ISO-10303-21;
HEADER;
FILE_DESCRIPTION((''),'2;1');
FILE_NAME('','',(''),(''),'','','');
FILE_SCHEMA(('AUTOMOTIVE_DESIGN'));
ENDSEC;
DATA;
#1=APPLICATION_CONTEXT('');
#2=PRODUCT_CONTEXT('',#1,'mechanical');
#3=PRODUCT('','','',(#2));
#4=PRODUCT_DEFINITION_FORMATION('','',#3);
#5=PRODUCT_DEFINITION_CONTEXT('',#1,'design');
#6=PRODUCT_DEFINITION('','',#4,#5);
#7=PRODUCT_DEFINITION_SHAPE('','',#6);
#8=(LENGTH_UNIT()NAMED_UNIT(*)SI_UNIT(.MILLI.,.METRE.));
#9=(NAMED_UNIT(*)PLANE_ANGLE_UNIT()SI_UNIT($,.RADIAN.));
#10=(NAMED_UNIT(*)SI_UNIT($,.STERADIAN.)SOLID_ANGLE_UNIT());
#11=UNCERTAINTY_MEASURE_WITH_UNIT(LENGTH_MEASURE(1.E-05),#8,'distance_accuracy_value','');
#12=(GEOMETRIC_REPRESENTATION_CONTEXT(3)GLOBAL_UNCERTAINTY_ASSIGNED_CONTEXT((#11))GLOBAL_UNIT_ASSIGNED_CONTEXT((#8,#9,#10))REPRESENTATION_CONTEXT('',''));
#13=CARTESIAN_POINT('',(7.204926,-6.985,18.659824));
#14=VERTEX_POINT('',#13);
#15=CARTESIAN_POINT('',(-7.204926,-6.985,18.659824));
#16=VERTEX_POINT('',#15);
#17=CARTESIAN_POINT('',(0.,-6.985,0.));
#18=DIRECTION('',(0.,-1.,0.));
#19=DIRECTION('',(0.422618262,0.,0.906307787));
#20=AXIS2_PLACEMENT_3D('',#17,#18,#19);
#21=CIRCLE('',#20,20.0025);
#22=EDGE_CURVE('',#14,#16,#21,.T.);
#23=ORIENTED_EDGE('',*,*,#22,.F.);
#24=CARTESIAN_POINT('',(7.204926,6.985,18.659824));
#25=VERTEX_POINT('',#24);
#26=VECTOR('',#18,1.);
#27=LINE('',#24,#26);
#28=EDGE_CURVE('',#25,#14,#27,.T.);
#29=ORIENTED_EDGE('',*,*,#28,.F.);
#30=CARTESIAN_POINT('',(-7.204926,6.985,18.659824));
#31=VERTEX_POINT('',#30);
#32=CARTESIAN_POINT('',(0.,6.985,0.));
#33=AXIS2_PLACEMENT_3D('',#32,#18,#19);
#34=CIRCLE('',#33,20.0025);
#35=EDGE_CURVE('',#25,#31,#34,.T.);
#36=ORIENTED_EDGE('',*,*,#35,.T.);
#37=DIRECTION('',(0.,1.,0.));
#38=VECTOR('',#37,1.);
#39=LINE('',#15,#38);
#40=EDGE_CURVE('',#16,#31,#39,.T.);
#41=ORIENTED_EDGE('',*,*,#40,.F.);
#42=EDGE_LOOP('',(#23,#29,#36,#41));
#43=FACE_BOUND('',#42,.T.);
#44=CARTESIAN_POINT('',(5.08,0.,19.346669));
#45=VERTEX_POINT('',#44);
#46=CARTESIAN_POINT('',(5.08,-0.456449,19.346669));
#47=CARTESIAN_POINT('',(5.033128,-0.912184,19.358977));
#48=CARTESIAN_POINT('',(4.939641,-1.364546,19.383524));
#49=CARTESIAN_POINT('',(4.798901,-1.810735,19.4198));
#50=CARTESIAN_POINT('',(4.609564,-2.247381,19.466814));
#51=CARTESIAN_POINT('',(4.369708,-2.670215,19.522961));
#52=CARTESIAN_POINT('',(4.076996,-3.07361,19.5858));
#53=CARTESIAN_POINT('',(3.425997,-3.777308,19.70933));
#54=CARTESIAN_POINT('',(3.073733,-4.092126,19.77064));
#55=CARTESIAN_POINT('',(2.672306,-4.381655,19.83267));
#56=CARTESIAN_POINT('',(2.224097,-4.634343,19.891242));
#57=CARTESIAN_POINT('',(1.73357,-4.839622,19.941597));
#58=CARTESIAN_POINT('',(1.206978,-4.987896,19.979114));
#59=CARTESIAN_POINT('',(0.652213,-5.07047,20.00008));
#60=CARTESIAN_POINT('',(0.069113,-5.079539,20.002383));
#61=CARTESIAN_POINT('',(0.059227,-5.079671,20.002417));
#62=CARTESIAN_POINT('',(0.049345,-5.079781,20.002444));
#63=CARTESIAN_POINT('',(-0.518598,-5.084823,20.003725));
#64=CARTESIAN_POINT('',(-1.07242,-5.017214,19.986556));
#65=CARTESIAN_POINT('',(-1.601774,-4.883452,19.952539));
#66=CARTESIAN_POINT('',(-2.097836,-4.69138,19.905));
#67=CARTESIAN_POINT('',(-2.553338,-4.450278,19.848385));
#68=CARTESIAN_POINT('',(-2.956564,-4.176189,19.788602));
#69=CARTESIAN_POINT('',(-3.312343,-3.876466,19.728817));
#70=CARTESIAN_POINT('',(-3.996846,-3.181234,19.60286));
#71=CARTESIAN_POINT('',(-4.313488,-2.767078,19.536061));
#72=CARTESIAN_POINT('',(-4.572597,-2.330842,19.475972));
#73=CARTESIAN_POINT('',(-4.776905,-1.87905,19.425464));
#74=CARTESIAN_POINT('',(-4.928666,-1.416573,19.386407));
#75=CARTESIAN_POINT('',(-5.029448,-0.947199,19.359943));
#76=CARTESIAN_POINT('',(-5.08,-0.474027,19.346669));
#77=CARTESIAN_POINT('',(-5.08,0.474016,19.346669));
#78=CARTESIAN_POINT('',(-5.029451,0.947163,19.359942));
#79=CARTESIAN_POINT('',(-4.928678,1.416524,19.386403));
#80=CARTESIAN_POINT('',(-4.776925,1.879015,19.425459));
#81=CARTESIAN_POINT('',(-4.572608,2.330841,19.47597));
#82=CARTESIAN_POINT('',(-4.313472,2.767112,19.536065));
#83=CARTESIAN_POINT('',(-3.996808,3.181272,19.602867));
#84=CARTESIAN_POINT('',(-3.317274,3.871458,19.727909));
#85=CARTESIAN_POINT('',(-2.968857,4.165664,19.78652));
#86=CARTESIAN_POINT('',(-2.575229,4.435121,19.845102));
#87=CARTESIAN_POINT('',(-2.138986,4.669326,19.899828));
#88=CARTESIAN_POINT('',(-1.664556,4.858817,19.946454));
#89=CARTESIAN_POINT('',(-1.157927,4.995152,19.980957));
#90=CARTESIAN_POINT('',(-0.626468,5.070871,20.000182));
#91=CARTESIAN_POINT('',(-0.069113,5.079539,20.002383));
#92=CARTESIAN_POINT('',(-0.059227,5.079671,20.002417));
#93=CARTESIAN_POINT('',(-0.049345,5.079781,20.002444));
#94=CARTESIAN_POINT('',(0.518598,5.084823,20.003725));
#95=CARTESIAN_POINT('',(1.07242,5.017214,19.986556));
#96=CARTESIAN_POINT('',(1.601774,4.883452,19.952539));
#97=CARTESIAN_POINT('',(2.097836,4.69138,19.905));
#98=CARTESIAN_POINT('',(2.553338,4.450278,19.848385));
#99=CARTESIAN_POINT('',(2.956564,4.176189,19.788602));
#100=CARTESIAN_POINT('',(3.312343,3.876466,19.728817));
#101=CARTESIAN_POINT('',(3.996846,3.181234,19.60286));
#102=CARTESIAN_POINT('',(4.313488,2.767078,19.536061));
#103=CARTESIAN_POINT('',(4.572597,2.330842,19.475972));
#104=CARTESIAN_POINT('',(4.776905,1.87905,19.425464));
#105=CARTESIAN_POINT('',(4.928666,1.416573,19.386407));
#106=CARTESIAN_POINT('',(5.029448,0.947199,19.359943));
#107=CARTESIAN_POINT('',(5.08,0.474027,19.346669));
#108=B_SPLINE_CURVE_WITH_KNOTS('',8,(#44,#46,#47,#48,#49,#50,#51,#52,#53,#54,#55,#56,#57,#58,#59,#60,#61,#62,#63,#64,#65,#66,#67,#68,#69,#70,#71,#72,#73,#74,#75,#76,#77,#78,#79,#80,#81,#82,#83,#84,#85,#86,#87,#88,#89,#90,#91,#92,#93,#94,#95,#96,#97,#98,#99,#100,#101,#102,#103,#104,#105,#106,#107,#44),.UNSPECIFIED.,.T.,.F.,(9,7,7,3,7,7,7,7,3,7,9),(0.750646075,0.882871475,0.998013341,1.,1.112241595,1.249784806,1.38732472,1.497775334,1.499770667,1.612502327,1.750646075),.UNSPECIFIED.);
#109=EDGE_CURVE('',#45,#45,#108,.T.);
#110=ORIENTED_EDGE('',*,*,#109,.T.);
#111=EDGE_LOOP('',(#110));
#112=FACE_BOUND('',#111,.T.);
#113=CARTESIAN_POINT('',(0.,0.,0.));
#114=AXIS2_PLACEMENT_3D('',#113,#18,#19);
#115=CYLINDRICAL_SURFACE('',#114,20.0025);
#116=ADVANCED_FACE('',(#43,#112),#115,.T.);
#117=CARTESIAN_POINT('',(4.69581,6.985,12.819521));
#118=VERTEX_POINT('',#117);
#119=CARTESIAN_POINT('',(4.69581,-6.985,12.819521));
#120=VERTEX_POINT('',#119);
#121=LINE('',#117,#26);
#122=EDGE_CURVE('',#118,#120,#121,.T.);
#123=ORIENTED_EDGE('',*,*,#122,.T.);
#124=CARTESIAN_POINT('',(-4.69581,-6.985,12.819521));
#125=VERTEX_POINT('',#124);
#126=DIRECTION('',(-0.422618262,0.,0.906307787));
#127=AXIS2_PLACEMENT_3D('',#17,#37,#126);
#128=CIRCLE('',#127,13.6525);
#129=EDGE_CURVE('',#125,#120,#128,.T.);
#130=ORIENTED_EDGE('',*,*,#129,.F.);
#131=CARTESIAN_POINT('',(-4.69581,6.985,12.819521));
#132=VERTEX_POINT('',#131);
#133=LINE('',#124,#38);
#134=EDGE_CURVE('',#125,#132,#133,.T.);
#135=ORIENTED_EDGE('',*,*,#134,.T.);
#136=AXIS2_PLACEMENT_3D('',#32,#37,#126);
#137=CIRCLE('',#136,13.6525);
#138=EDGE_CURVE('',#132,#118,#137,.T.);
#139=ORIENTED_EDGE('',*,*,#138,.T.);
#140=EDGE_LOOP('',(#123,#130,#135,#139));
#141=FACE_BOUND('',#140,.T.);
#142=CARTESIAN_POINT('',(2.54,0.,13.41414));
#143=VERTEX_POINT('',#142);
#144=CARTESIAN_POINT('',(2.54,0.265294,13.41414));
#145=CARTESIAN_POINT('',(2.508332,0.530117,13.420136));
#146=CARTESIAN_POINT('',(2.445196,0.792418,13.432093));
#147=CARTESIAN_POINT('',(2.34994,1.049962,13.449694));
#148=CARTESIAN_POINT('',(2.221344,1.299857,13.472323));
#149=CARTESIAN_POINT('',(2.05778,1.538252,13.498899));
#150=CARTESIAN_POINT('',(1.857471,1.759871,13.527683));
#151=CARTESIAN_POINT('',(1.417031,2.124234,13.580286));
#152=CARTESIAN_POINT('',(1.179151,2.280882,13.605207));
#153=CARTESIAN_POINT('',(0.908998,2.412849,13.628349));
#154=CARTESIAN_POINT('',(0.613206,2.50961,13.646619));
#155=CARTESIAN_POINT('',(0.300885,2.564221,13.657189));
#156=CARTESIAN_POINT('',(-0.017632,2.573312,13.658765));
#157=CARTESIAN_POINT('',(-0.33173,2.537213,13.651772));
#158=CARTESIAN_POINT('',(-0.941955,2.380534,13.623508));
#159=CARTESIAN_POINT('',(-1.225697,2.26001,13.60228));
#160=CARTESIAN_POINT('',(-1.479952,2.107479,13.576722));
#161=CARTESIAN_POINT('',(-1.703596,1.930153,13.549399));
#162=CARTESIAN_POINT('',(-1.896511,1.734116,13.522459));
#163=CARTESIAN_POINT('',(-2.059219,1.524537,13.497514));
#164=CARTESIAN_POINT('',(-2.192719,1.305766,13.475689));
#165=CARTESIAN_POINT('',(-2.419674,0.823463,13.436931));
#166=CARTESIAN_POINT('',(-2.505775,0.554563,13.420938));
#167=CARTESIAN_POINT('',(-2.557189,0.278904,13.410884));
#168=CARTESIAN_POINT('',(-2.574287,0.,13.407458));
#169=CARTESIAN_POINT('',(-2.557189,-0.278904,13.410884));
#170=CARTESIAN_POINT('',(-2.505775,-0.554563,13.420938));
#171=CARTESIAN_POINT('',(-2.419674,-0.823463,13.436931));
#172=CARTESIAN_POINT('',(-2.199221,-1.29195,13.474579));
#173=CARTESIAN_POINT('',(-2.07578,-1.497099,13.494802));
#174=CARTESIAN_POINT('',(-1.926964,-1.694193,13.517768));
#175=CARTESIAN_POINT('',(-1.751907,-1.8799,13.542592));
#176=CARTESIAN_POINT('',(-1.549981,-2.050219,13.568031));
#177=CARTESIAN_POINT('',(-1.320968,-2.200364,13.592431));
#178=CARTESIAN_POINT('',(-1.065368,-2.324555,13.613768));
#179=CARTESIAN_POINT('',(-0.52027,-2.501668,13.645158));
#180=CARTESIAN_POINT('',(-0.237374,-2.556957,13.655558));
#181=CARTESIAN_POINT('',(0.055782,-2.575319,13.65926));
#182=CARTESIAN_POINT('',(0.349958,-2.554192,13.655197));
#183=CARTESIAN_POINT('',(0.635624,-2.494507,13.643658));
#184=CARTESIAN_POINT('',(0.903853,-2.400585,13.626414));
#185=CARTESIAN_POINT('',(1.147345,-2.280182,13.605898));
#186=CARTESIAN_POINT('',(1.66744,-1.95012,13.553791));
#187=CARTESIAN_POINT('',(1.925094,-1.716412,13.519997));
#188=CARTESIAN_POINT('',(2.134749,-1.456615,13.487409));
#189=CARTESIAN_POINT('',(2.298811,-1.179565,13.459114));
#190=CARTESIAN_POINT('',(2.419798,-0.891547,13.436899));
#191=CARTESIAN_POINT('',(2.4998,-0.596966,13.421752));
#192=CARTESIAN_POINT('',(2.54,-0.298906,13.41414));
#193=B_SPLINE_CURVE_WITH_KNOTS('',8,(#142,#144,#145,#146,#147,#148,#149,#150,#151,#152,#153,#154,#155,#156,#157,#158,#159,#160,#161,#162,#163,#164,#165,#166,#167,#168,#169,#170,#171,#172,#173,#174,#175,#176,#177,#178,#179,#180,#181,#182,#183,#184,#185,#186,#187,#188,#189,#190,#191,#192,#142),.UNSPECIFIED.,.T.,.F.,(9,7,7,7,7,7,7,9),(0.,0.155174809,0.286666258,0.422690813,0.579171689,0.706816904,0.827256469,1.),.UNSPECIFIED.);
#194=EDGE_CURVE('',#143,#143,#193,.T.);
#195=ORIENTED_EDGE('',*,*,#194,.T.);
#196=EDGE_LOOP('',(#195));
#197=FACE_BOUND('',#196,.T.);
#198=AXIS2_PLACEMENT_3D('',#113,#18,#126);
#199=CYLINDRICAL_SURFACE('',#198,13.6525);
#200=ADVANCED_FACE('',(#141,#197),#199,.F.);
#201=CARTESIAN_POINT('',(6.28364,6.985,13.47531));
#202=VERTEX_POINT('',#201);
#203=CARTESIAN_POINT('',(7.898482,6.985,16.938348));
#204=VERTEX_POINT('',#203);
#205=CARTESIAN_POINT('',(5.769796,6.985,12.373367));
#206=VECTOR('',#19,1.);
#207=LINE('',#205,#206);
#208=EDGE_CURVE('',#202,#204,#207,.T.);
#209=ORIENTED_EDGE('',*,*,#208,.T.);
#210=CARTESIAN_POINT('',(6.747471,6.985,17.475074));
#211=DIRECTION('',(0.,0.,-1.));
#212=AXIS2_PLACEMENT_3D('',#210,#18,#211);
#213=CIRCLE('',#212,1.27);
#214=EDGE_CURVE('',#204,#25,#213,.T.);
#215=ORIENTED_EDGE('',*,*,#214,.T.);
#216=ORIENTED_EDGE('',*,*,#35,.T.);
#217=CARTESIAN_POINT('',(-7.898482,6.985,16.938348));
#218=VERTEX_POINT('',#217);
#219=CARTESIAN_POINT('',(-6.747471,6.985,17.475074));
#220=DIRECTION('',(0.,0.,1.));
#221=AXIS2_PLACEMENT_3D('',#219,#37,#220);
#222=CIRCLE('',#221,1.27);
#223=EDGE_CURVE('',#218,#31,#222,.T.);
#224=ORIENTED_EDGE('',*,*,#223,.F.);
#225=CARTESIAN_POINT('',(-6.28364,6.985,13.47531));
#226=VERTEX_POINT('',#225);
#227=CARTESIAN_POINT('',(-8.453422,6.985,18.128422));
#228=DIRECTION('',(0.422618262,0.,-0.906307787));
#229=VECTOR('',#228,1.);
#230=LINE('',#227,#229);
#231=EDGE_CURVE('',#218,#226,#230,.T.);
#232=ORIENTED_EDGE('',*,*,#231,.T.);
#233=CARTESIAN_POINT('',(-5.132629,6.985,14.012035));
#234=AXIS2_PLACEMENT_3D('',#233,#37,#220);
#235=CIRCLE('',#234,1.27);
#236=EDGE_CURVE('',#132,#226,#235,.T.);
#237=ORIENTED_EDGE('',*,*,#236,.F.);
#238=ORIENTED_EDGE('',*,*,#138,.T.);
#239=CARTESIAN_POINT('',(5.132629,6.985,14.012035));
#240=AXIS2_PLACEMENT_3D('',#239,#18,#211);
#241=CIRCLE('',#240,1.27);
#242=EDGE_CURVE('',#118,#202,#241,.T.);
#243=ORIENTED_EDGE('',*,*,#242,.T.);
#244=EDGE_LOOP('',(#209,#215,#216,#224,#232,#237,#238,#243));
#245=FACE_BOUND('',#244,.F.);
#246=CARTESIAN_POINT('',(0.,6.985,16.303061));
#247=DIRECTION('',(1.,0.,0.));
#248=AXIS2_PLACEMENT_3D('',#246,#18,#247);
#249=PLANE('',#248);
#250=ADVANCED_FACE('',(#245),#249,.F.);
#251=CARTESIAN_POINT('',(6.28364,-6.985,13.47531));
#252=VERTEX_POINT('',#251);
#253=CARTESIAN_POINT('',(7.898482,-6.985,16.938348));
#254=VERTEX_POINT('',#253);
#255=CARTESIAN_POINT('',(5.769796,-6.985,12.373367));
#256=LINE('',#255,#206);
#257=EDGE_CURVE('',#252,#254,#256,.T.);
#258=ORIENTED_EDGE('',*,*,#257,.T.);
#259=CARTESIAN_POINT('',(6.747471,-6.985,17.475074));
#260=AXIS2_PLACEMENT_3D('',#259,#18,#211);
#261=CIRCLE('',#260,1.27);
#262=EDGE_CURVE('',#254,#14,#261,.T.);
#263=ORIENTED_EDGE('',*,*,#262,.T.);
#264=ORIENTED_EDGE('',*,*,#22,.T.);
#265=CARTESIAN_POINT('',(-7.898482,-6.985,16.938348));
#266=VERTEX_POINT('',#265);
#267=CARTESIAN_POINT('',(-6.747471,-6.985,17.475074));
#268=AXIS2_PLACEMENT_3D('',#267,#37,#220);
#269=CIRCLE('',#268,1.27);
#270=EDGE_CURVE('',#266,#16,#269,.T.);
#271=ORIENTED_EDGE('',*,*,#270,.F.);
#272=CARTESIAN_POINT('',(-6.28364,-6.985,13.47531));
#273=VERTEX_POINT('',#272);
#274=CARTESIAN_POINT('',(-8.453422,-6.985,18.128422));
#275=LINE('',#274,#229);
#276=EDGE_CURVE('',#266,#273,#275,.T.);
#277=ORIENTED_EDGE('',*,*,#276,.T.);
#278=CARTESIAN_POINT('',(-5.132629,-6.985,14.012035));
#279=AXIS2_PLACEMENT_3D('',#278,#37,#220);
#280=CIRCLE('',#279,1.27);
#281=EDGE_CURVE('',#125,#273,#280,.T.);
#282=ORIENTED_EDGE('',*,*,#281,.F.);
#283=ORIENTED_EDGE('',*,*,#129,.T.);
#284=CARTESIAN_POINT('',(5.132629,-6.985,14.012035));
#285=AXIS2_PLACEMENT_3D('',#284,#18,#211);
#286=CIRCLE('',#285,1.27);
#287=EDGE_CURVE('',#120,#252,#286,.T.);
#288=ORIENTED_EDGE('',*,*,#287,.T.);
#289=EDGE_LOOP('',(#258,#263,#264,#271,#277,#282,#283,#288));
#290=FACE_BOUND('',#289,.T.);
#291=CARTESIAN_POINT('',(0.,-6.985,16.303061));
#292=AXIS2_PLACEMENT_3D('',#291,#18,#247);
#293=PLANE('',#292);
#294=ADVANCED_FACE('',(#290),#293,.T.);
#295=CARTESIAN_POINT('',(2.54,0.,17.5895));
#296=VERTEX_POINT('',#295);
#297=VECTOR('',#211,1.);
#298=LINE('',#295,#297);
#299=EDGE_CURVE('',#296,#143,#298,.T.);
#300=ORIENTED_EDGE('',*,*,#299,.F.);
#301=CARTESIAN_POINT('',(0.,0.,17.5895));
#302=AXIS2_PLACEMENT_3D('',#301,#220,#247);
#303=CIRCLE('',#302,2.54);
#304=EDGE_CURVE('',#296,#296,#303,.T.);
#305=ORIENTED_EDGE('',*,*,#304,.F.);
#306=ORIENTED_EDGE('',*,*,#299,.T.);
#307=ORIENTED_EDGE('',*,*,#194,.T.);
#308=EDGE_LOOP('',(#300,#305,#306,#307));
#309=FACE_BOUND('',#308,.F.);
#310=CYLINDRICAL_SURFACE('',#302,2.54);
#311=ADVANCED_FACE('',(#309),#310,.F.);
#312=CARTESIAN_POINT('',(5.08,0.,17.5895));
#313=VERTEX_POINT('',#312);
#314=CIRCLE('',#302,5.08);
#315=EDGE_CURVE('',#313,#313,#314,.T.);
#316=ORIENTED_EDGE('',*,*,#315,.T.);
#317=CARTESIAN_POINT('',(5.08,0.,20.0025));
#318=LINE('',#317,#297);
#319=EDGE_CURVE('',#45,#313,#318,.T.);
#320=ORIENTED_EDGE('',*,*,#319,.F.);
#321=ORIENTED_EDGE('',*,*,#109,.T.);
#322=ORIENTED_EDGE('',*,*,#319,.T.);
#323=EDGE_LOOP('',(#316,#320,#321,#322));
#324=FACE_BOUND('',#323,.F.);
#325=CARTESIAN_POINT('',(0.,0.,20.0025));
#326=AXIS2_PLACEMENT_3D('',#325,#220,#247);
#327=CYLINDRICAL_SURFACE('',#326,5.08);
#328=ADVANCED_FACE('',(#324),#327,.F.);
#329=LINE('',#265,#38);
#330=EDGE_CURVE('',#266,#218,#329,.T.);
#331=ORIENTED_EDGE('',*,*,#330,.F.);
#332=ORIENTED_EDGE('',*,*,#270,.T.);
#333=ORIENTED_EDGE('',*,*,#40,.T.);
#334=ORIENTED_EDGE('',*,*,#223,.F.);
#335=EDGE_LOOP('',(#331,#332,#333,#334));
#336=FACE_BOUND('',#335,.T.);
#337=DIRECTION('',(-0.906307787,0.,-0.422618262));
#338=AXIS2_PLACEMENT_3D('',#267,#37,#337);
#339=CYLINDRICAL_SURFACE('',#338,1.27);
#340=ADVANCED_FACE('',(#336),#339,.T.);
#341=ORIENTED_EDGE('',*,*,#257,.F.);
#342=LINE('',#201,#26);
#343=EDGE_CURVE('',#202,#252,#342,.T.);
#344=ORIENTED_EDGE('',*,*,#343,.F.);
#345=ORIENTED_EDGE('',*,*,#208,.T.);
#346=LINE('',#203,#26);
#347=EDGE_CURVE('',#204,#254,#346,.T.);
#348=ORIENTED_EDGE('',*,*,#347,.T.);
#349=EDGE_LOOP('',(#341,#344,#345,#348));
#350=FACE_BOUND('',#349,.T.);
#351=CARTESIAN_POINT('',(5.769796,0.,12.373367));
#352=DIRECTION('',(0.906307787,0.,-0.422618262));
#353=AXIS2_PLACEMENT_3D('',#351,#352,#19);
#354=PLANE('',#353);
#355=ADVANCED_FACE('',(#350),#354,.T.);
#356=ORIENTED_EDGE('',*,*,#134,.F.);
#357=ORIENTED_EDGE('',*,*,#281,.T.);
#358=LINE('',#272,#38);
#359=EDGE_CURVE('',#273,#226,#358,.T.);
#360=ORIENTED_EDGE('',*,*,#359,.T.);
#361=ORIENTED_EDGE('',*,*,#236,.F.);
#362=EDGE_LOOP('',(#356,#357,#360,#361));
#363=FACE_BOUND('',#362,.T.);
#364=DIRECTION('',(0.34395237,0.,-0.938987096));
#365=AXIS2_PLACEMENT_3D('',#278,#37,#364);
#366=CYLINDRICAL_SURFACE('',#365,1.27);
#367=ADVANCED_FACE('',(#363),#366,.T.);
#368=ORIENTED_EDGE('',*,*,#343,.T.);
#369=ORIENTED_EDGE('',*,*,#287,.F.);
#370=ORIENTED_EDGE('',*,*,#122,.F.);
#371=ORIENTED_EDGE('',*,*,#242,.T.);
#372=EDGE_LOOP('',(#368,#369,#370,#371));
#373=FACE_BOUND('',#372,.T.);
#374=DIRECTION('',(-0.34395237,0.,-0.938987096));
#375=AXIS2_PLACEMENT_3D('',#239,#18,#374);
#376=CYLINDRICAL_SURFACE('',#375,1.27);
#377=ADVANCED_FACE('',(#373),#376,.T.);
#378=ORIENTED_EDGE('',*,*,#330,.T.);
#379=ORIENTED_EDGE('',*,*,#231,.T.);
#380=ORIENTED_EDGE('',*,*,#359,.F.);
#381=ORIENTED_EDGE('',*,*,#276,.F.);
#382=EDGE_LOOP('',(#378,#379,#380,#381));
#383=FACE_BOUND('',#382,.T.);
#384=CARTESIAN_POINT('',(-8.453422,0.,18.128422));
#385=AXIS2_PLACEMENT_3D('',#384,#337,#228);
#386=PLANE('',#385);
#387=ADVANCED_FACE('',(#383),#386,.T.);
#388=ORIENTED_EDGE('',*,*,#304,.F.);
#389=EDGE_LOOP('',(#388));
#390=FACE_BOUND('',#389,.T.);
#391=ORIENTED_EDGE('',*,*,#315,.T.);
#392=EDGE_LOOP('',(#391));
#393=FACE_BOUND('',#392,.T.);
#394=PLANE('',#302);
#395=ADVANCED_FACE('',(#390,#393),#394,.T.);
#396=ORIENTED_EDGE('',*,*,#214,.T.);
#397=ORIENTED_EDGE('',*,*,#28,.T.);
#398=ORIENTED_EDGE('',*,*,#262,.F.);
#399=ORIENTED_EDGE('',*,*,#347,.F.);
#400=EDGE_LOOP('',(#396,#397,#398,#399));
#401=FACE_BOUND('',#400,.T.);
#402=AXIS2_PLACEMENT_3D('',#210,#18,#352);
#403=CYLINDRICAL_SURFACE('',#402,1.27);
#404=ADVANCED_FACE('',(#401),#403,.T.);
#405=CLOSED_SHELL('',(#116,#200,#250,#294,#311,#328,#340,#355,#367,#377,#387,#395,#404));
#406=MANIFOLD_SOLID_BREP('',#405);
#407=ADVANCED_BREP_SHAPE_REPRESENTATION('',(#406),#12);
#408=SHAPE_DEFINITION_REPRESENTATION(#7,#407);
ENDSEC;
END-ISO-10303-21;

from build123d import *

# Parameters (mm, degrees)
F1_DEPTH = 6.985
F4_R     = 5.08
F5_DEPTH = 2.413
F6_R     = 2.54
F7_DEPTH = 5.2171329375
F8_R     = 1.27


with BuildPart() as f1:
    # F0 (on Front) → F1 (new body, symmetric)
    with BuildSketch(Plane.XZ):
        with BuildLine():
            ThreePointArc((-5.7697958184, 12.3733670625), (0, 13.6525), (5.7697958184, 12.3733670625))
            Line((5.7697958184, 12.3733670625), (8.4534217805, 18.1284215102))
            ThreePointArc((8.4534217805, 18.1284215102), (0, 20.0025), (-8.4534217805, 18.1284215102))
            Line((-8.4534217805, 18.1284215102), (-5.7697958184, 12.3733670625))
        make_face()
    extrude(amount=F1_DEPTH, both=True)

    # F4 (on plane+point) → F5 (cut)
    with BuildSketch(Plane.XY.offset(20.0025)):
        Circle(F4_R)
    extrude(amount=-F5_DEPTH, mode=Mode.SUBTRACT)

    # F6 (on face) → F7 (cut, through all)
    with BuildSketch(Plane.XY.offset(17.5895)):
        Circle(F6_R)
    extrude(amount=-F7_DEPTH, mode=Mode.SUBTRACT)

    # F8
    f8_edges = [f1.edges().sort_by_distance(p)[0] for p in [
        (8.453422, 0, 18.128422),
        (-8.453422, 0, 18.128422),
        (5.769796, 0, 12.373367),
        (-5.769796, 0, 12.373367),
    ]]
    fillet(f8_edges, radius=F8_R)


solid = f1.part
